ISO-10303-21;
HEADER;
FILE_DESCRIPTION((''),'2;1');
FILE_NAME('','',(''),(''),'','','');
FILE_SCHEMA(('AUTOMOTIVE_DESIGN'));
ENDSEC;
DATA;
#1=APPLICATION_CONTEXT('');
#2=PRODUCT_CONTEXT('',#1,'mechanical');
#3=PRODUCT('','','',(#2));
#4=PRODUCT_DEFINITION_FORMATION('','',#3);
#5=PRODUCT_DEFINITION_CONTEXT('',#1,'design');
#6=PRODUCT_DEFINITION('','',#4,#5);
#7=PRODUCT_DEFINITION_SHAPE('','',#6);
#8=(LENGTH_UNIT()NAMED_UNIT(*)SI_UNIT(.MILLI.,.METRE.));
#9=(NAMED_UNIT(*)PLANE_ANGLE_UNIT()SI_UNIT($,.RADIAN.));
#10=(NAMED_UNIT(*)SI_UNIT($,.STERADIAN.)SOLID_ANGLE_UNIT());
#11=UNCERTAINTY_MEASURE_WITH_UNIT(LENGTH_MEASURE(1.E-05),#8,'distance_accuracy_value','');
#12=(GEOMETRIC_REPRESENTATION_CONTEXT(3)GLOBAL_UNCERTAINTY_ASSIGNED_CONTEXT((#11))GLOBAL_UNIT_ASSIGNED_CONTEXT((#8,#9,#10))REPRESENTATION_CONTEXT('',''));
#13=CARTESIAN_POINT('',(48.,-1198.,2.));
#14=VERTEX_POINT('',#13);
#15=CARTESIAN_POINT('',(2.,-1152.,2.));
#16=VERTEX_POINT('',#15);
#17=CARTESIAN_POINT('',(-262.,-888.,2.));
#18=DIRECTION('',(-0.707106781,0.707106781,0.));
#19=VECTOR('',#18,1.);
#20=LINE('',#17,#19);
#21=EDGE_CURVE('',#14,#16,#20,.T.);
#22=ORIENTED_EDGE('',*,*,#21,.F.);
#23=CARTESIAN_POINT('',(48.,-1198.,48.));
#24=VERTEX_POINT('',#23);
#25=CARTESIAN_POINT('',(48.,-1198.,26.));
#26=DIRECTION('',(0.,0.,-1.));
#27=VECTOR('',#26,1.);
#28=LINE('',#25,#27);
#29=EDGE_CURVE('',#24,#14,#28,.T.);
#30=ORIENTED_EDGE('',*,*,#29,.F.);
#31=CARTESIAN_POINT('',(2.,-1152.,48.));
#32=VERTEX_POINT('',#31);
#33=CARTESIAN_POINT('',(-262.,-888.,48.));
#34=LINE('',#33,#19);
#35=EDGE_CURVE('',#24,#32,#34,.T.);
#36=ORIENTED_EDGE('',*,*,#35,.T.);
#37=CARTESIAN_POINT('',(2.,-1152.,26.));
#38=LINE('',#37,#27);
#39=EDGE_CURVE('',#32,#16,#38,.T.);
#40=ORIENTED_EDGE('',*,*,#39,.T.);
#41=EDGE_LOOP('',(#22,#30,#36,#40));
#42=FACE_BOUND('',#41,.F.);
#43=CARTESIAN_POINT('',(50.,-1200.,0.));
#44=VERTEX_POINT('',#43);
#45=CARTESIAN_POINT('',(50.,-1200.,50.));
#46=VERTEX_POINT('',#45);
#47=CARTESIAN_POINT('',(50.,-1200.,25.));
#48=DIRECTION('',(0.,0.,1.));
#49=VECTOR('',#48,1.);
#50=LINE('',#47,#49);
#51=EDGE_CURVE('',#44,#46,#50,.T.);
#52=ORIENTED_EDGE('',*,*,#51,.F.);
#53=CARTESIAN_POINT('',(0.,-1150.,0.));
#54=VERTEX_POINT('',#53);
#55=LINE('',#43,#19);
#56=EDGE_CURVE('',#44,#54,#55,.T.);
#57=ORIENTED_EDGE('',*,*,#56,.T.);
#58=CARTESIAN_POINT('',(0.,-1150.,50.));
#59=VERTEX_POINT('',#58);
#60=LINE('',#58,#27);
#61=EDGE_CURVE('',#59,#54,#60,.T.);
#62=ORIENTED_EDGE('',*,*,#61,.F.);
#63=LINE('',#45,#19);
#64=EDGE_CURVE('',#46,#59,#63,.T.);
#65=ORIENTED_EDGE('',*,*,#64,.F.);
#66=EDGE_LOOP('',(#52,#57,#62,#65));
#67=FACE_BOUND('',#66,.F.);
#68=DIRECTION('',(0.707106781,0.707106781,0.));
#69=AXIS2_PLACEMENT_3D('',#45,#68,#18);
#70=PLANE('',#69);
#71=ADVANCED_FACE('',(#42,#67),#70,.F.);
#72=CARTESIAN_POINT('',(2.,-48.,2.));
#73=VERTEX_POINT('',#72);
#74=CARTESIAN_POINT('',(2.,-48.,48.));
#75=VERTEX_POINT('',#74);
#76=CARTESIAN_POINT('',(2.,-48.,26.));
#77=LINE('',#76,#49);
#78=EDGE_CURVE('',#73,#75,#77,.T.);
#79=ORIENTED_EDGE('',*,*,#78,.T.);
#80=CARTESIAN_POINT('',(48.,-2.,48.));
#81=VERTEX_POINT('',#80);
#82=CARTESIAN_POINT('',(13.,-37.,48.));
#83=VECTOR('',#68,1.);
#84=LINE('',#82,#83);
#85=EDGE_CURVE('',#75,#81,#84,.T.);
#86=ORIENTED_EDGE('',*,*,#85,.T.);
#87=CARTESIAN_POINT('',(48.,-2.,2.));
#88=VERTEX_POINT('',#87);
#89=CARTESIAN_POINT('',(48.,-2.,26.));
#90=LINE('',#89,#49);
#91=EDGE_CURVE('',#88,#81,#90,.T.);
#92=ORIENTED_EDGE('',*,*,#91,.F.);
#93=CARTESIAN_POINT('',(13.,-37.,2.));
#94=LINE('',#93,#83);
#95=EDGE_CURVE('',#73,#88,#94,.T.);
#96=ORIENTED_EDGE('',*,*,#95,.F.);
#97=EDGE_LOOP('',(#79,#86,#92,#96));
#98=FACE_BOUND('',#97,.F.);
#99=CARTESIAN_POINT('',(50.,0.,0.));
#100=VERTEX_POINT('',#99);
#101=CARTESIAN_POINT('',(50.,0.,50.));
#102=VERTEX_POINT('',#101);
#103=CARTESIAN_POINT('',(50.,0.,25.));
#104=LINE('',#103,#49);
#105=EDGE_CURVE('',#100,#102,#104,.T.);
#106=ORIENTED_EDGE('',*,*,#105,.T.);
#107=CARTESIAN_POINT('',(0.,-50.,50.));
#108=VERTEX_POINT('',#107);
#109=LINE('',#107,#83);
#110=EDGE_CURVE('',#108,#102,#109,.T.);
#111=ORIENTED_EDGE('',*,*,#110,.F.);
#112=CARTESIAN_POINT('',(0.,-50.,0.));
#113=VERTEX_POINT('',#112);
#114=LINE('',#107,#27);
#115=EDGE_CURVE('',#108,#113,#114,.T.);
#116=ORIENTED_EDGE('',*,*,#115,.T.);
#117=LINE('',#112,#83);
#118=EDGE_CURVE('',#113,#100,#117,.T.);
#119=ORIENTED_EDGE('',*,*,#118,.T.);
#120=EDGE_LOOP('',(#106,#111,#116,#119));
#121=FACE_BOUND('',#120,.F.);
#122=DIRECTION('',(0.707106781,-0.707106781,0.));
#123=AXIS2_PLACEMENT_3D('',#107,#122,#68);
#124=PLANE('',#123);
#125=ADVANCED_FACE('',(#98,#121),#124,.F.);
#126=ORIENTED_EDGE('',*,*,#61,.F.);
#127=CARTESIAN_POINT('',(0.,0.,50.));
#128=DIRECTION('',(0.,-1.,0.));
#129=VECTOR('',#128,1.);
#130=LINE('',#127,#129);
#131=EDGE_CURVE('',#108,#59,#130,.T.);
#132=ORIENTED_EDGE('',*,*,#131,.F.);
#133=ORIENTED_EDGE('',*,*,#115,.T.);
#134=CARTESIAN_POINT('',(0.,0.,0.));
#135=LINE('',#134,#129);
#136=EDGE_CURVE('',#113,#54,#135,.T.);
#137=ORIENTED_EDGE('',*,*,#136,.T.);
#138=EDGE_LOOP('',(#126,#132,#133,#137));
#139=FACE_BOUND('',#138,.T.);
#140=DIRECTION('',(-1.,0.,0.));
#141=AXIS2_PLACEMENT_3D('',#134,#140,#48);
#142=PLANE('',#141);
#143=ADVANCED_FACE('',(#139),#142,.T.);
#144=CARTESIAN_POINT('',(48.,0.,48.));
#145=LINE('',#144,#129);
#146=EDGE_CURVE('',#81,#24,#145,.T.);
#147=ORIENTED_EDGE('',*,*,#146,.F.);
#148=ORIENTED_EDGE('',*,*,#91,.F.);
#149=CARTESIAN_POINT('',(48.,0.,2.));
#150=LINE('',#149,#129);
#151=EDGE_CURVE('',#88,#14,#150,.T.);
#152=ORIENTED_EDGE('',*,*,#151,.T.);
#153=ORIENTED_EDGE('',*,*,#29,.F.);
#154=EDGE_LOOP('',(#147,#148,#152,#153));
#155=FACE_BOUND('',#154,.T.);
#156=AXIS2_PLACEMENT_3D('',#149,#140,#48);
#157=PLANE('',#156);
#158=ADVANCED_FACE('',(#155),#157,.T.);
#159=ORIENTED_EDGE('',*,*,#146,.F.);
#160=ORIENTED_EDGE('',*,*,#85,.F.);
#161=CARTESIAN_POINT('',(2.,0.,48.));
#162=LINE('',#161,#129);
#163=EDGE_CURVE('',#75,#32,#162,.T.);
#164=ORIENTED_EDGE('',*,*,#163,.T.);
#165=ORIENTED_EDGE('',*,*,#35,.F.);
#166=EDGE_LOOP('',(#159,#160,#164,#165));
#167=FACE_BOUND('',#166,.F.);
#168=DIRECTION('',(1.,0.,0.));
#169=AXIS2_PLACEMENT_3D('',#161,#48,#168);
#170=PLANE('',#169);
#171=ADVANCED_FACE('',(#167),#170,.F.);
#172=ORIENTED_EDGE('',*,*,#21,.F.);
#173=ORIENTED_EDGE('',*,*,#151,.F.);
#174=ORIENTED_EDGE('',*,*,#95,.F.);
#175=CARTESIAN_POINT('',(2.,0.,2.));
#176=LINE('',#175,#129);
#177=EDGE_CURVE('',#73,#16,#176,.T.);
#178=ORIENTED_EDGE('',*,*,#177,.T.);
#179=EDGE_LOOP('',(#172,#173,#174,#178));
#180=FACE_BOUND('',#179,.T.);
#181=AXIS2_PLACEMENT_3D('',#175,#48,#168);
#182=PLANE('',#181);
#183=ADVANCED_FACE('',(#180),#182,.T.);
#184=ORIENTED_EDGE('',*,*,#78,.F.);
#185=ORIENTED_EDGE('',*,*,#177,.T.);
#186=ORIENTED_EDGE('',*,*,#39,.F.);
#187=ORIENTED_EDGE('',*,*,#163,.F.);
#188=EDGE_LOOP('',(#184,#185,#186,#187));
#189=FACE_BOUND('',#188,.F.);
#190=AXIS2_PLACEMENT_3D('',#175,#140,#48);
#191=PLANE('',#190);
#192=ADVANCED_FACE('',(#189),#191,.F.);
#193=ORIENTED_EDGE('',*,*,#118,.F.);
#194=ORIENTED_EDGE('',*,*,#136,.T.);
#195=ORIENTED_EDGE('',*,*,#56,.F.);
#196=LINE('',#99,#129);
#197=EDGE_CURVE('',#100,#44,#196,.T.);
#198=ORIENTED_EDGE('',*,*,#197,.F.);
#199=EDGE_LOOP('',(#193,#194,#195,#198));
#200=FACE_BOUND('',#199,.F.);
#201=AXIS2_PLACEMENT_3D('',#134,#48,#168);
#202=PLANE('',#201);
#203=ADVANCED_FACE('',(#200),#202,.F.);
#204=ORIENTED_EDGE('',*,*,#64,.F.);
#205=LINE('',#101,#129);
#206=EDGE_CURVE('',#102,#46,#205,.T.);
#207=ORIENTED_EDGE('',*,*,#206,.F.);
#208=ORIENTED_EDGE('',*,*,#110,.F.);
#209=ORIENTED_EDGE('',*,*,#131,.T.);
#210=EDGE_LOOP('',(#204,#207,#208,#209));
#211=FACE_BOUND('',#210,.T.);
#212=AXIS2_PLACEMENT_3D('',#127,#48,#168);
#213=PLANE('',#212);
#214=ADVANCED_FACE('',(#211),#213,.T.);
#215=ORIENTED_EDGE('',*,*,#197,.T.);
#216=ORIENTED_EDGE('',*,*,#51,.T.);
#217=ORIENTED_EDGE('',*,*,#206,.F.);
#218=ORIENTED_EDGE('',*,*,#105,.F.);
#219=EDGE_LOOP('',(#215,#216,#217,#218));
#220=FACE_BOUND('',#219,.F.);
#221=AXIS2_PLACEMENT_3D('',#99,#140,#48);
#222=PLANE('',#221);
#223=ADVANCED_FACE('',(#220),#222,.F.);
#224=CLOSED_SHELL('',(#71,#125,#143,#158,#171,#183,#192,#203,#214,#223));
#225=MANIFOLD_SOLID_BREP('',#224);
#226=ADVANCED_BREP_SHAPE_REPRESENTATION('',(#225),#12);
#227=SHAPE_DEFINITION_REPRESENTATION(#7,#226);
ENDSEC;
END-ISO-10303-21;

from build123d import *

# Parameters (mm, degrees)
F0_W     = 50
F0_H     = 50
F0_W_2   = 46
F0_H_2   = 46
F1_DEPTH = 1200
F3_DEPTH = 50
F4_DEPTH = 50


with BuildPart() as f1:
    # F0 (on Front) → F1 (new body)
    with BuildSketch(Plane.XZ):
        with Locations((25, 25)):
            Rectangle(F0_W, F0_H)
        with Locations((25, 25)):
            Rectangle(F0_W_2, F0_H_2, mode=Mode.SUBTRACT)
    extrude(amount=F1_DEPTH)

    # F2 (on face) → F3 (cut)
    with BuildSketch(Plane.XY.offset(50)):
        Polygon((50, 0), (0, 0), (0, -50), align=None)
    extrude(amount=-F3_DEPTH, mode=Mode.SUBTRACT)

    # F2 (on face) → F4 (cut)
    with BuildSketch(Plane.XY.offset(50)):
        Polygon((50, 0), (0, 0), (0, -50), align=None)
        Polygon((0, -1150), (0, -1200), (50, -1200), align=None)
    extrude(amount=-F4_DEPTH, mode=Mode.SUBTRACT)


solid = f1.part
